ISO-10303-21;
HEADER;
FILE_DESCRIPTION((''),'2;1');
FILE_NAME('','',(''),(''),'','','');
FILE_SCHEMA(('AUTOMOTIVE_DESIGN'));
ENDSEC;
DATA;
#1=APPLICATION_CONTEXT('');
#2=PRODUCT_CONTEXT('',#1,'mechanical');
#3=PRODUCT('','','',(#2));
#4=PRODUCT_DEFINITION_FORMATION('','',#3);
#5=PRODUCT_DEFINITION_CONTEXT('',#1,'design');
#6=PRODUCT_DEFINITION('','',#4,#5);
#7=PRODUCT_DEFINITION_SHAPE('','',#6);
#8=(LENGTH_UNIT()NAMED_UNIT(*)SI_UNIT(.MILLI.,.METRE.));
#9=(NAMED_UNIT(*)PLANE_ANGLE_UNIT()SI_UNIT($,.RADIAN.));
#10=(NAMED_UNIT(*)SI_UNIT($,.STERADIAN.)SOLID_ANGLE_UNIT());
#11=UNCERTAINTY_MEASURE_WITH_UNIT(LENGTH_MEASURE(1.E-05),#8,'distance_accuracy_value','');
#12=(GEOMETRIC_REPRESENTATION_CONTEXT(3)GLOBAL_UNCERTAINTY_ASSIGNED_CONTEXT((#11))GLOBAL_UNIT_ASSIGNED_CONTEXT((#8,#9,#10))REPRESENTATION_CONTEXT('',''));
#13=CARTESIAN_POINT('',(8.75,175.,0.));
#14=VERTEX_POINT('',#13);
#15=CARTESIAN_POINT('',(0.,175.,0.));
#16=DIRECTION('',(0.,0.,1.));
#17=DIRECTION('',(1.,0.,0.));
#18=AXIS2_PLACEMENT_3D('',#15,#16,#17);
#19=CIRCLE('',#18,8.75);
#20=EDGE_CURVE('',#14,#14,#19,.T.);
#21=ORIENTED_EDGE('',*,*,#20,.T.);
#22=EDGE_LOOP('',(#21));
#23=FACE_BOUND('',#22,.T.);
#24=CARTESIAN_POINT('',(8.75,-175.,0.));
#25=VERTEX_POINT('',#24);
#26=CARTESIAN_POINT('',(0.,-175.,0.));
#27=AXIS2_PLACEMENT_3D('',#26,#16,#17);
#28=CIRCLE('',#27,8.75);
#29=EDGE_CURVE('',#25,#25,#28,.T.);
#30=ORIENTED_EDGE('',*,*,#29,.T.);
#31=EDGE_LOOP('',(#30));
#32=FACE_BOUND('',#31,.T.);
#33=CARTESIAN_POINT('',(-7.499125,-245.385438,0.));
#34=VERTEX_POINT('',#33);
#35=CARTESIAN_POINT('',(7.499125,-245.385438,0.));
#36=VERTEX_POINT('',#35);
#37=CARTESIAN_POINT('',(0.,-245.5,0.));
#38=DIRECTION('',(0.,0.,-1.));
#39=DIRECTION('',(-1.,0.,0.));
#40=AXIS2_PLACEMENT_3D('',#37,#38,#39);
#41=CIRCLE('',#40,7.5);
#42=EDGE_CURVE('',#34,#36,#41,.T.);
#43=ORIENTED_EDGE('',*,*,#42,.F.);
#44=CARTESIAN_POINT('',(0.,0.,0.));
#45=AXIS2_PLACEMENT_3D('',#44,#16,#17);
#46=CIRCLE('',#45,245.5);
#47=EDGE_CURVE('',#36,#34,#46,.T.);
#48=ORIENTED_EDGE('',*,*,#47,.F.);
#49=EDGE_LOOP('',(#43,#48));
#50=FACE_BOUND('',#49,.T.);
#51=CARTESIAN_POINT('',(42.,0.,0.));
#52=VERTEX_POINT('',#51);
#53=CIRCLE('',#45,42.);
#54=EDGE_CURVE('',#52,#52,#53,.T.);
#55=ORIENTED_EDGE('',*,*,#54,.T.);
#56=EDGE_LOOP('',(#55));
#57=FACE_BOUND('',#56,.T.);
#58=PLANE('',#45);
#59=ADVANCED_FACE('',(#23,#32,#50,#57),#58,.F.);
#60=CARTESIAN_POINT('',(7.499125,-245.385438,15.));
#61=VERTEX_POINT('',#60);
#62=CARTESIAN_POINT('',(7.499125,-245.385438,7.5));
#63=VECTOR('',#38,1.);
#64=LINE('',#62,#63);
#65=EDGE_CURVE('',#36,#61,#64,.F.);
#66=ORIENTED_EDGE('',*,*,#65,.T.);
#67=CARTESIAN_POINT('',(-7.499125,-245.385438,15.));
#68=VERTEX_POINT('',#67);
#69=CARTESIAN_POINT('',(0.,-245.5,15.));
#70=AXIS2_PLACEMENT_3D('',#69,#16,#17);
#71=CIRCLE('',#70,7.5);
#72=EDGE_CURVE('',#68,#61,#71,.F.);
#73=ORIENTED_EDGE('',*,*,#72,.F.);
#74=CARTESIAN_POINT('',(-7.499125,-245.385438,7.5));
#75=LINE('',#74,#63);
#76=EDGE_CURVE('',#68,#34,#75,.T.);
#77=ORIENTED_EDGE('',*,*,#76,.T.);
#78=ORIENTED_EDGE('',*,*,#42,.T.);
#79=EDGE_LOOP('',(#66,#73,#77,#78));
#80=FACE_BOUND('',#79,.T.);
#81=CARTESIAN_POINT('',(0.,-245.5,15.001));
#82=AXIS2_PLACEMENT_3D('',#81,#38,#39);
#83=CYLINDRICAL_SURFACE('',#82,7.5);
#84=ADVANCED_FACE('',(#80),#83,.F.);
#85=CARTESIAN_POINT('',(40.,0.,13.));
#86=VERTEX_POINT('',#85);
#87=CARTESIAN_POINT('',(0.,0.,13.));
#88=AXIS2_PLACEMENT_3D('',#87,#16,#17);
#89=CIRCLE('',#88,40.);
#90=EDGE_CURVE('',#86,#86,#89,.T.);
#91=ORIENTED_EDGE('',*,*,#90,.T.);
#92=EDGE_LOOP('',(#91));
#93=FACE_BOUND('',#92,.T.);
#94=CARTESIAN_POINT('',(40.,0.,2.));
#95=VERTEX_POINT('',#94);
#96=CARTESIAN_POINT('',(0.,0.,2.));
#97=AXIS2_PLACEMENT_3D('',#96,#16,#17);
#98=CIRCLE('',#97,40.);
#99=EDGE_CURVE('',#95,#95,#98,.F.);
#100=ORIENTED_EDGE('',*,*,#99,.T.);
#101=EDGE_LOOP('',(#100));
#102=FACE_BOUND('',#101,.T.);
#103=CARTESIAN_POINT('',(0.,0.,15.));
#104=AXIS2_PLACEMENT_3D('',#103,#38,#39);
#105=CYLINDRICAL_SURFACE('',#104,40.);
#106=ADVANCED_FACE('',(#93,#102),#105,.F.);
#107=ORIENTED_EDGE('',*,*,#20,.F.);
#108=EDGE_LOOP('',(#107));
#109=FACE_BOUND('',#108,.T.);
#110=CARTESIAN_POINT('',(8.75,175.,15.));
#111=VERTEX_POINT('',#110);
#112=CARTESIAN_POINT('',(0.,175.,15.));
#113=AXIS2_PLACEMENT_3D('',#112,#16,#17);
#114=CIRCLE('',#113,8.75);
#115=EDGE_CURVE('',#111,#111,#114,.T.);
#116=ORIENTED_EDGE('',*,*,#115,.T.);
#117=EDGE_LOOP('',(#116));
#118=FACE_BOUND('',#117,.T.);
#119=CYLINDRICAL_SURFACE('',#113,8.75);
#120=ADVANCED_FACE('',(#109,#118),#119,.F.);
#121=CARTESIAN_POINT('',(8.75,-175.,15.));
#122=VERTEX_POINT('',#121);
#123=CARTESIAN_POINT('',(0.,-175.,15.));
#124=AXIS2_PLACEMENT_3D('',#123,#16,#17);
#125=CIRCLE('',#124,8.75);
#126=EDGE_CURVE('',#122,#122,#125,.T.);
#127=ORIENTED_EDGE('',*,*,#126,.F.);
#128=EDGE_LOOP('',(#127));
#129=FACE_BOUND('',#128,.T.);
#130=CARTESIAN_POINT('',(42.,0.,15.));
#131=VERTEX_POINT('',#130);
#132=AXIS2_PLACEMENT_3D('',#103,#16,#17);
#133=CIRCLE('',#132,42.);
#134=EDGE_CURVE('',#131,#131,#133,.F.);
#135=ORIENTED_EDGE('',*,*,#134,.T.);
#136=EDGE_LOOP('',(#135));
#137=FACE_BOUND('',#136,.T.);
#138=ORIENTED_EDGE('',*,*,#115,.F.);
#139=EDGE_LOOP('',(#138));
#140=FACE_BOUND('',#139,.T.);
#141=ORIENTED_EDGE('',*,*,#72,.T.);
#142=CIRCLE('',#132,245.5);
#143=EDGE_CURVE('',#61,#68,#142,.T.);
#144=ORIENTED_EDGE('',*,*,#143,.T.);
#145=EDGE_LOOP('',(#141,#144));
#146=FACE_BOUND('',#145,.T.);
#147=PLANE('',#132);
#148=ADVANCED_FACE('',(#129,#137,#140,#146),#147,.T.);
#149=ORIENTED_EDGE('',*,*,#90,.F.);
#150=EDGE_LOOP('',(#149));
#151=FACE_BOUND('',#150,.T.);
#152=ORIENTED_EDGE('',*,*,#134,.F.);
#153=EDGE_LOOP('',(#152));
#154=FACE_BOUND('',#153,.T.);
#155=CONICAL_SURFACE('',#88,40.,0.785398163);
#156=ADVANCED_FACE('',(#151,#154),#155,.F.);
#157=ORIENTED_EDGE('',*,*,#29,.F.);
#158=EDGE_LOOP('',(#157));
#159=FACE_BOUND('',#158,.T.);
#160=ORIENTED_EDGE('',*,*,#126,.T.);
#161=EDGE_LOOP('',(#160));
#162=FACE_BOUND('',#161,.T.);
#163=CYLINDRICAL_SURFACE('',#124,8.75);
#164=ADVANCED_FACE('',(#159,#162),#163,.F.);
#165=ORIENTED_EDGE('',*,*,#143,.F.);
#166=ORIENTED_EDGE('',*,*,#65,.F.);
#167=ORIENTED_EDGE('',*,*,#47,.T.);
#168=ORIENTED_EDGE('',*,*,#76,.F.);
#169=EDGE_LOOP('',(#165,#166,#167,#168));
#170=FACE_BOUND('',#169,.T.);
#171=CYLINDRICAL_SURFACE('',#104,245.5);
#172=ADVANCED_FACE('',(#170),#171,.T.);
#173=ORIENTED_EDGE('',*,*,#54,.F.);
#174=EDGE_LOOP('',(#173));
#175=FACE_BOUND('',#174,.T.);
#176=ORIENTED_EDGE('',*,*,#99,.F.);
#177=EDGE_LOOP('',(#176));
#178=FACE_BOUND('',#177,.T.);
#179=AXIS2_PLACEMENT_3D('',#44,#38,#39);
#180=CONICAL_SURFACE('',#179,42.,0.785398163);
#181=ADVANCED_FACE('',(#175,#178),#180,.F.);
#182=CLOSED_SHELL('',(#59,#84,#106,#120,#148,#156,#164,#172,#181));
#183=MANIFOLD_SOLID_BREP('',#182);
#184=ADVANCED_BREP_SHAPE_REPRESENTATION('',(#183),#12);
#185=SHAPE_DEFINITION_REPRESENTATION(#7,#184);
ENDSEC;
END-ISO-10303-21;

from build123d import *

# Parameters (mm, degrees)
ESQUISSE1_R             = 245.5
ESQUISSE1_R_2           = 40
BOSS_EXTRU_1_DEPTH      = 15
D_GAGEMENT_M20_D        = 17.5
D_GAGEMENT_M20_DEPTH    = 15
CHANFREIN1_SIZE         = 2
ENL_V_MAT_EXTRU_1_REACH = 17
ESQUISSE4_R             = 7.5


with BuildPart() as part:
    # Esquisse1 → Boss.-Extru.1 (new body)
    with BuildSketch(Plane.XY):
        Circle(ESQUISSE1_R)
        Circle(ESQUISSE1_R_2, mode=Mode.SUBTRACT)
    extrude(amount=BOSS_EXTRU_1_DEPTH)

    # Dégagement M20
    with Locations(Plane.XY.offset(15)):
        with Locations((0, 175), (0, -175)):
            Hole(D_GAGEMENT_M20_D / 2, depth=D_GAGEMENT_M20_DEPTH)

    # Chanfrein1
    chanfrein1_edges = [part.edges().sort_by_distance(p)[0] for p in [
        (-40, 0, 0),
        (-40, 0, 15),
    ]]
    chamfer(chanfrein1_edges, length=CHANFREIN1_SIZE)

    # Esquisse4 → Enlèv. mat.-Extru.1 (cut, up to next)
    with BuildSketch(Plane(origin=(0, 0, 0), x_dir=(-1, 0, 0), z_dir=(0, 0, -1)), mode=Mode.PRIVATE) as enl_v_mat_extru_1_sk1:
        with Locations((0, -245.5)):
            Circle(ESQUISSE4_R)
    enl_v_mat_extru_1_tool1 = extrude(enl_v_mat_extru_1_sk1.sketch, amount=-ENL_V_MAT_EXTRU_1_REACH, mode=Mode.PRIVATE) & part.part
    add(enl_v_mat_extru_1_tool1.solids().sort_by_distance((0, -245.5, 0))[0], mode=Mode.SUBTRACT)


solid = part.part
